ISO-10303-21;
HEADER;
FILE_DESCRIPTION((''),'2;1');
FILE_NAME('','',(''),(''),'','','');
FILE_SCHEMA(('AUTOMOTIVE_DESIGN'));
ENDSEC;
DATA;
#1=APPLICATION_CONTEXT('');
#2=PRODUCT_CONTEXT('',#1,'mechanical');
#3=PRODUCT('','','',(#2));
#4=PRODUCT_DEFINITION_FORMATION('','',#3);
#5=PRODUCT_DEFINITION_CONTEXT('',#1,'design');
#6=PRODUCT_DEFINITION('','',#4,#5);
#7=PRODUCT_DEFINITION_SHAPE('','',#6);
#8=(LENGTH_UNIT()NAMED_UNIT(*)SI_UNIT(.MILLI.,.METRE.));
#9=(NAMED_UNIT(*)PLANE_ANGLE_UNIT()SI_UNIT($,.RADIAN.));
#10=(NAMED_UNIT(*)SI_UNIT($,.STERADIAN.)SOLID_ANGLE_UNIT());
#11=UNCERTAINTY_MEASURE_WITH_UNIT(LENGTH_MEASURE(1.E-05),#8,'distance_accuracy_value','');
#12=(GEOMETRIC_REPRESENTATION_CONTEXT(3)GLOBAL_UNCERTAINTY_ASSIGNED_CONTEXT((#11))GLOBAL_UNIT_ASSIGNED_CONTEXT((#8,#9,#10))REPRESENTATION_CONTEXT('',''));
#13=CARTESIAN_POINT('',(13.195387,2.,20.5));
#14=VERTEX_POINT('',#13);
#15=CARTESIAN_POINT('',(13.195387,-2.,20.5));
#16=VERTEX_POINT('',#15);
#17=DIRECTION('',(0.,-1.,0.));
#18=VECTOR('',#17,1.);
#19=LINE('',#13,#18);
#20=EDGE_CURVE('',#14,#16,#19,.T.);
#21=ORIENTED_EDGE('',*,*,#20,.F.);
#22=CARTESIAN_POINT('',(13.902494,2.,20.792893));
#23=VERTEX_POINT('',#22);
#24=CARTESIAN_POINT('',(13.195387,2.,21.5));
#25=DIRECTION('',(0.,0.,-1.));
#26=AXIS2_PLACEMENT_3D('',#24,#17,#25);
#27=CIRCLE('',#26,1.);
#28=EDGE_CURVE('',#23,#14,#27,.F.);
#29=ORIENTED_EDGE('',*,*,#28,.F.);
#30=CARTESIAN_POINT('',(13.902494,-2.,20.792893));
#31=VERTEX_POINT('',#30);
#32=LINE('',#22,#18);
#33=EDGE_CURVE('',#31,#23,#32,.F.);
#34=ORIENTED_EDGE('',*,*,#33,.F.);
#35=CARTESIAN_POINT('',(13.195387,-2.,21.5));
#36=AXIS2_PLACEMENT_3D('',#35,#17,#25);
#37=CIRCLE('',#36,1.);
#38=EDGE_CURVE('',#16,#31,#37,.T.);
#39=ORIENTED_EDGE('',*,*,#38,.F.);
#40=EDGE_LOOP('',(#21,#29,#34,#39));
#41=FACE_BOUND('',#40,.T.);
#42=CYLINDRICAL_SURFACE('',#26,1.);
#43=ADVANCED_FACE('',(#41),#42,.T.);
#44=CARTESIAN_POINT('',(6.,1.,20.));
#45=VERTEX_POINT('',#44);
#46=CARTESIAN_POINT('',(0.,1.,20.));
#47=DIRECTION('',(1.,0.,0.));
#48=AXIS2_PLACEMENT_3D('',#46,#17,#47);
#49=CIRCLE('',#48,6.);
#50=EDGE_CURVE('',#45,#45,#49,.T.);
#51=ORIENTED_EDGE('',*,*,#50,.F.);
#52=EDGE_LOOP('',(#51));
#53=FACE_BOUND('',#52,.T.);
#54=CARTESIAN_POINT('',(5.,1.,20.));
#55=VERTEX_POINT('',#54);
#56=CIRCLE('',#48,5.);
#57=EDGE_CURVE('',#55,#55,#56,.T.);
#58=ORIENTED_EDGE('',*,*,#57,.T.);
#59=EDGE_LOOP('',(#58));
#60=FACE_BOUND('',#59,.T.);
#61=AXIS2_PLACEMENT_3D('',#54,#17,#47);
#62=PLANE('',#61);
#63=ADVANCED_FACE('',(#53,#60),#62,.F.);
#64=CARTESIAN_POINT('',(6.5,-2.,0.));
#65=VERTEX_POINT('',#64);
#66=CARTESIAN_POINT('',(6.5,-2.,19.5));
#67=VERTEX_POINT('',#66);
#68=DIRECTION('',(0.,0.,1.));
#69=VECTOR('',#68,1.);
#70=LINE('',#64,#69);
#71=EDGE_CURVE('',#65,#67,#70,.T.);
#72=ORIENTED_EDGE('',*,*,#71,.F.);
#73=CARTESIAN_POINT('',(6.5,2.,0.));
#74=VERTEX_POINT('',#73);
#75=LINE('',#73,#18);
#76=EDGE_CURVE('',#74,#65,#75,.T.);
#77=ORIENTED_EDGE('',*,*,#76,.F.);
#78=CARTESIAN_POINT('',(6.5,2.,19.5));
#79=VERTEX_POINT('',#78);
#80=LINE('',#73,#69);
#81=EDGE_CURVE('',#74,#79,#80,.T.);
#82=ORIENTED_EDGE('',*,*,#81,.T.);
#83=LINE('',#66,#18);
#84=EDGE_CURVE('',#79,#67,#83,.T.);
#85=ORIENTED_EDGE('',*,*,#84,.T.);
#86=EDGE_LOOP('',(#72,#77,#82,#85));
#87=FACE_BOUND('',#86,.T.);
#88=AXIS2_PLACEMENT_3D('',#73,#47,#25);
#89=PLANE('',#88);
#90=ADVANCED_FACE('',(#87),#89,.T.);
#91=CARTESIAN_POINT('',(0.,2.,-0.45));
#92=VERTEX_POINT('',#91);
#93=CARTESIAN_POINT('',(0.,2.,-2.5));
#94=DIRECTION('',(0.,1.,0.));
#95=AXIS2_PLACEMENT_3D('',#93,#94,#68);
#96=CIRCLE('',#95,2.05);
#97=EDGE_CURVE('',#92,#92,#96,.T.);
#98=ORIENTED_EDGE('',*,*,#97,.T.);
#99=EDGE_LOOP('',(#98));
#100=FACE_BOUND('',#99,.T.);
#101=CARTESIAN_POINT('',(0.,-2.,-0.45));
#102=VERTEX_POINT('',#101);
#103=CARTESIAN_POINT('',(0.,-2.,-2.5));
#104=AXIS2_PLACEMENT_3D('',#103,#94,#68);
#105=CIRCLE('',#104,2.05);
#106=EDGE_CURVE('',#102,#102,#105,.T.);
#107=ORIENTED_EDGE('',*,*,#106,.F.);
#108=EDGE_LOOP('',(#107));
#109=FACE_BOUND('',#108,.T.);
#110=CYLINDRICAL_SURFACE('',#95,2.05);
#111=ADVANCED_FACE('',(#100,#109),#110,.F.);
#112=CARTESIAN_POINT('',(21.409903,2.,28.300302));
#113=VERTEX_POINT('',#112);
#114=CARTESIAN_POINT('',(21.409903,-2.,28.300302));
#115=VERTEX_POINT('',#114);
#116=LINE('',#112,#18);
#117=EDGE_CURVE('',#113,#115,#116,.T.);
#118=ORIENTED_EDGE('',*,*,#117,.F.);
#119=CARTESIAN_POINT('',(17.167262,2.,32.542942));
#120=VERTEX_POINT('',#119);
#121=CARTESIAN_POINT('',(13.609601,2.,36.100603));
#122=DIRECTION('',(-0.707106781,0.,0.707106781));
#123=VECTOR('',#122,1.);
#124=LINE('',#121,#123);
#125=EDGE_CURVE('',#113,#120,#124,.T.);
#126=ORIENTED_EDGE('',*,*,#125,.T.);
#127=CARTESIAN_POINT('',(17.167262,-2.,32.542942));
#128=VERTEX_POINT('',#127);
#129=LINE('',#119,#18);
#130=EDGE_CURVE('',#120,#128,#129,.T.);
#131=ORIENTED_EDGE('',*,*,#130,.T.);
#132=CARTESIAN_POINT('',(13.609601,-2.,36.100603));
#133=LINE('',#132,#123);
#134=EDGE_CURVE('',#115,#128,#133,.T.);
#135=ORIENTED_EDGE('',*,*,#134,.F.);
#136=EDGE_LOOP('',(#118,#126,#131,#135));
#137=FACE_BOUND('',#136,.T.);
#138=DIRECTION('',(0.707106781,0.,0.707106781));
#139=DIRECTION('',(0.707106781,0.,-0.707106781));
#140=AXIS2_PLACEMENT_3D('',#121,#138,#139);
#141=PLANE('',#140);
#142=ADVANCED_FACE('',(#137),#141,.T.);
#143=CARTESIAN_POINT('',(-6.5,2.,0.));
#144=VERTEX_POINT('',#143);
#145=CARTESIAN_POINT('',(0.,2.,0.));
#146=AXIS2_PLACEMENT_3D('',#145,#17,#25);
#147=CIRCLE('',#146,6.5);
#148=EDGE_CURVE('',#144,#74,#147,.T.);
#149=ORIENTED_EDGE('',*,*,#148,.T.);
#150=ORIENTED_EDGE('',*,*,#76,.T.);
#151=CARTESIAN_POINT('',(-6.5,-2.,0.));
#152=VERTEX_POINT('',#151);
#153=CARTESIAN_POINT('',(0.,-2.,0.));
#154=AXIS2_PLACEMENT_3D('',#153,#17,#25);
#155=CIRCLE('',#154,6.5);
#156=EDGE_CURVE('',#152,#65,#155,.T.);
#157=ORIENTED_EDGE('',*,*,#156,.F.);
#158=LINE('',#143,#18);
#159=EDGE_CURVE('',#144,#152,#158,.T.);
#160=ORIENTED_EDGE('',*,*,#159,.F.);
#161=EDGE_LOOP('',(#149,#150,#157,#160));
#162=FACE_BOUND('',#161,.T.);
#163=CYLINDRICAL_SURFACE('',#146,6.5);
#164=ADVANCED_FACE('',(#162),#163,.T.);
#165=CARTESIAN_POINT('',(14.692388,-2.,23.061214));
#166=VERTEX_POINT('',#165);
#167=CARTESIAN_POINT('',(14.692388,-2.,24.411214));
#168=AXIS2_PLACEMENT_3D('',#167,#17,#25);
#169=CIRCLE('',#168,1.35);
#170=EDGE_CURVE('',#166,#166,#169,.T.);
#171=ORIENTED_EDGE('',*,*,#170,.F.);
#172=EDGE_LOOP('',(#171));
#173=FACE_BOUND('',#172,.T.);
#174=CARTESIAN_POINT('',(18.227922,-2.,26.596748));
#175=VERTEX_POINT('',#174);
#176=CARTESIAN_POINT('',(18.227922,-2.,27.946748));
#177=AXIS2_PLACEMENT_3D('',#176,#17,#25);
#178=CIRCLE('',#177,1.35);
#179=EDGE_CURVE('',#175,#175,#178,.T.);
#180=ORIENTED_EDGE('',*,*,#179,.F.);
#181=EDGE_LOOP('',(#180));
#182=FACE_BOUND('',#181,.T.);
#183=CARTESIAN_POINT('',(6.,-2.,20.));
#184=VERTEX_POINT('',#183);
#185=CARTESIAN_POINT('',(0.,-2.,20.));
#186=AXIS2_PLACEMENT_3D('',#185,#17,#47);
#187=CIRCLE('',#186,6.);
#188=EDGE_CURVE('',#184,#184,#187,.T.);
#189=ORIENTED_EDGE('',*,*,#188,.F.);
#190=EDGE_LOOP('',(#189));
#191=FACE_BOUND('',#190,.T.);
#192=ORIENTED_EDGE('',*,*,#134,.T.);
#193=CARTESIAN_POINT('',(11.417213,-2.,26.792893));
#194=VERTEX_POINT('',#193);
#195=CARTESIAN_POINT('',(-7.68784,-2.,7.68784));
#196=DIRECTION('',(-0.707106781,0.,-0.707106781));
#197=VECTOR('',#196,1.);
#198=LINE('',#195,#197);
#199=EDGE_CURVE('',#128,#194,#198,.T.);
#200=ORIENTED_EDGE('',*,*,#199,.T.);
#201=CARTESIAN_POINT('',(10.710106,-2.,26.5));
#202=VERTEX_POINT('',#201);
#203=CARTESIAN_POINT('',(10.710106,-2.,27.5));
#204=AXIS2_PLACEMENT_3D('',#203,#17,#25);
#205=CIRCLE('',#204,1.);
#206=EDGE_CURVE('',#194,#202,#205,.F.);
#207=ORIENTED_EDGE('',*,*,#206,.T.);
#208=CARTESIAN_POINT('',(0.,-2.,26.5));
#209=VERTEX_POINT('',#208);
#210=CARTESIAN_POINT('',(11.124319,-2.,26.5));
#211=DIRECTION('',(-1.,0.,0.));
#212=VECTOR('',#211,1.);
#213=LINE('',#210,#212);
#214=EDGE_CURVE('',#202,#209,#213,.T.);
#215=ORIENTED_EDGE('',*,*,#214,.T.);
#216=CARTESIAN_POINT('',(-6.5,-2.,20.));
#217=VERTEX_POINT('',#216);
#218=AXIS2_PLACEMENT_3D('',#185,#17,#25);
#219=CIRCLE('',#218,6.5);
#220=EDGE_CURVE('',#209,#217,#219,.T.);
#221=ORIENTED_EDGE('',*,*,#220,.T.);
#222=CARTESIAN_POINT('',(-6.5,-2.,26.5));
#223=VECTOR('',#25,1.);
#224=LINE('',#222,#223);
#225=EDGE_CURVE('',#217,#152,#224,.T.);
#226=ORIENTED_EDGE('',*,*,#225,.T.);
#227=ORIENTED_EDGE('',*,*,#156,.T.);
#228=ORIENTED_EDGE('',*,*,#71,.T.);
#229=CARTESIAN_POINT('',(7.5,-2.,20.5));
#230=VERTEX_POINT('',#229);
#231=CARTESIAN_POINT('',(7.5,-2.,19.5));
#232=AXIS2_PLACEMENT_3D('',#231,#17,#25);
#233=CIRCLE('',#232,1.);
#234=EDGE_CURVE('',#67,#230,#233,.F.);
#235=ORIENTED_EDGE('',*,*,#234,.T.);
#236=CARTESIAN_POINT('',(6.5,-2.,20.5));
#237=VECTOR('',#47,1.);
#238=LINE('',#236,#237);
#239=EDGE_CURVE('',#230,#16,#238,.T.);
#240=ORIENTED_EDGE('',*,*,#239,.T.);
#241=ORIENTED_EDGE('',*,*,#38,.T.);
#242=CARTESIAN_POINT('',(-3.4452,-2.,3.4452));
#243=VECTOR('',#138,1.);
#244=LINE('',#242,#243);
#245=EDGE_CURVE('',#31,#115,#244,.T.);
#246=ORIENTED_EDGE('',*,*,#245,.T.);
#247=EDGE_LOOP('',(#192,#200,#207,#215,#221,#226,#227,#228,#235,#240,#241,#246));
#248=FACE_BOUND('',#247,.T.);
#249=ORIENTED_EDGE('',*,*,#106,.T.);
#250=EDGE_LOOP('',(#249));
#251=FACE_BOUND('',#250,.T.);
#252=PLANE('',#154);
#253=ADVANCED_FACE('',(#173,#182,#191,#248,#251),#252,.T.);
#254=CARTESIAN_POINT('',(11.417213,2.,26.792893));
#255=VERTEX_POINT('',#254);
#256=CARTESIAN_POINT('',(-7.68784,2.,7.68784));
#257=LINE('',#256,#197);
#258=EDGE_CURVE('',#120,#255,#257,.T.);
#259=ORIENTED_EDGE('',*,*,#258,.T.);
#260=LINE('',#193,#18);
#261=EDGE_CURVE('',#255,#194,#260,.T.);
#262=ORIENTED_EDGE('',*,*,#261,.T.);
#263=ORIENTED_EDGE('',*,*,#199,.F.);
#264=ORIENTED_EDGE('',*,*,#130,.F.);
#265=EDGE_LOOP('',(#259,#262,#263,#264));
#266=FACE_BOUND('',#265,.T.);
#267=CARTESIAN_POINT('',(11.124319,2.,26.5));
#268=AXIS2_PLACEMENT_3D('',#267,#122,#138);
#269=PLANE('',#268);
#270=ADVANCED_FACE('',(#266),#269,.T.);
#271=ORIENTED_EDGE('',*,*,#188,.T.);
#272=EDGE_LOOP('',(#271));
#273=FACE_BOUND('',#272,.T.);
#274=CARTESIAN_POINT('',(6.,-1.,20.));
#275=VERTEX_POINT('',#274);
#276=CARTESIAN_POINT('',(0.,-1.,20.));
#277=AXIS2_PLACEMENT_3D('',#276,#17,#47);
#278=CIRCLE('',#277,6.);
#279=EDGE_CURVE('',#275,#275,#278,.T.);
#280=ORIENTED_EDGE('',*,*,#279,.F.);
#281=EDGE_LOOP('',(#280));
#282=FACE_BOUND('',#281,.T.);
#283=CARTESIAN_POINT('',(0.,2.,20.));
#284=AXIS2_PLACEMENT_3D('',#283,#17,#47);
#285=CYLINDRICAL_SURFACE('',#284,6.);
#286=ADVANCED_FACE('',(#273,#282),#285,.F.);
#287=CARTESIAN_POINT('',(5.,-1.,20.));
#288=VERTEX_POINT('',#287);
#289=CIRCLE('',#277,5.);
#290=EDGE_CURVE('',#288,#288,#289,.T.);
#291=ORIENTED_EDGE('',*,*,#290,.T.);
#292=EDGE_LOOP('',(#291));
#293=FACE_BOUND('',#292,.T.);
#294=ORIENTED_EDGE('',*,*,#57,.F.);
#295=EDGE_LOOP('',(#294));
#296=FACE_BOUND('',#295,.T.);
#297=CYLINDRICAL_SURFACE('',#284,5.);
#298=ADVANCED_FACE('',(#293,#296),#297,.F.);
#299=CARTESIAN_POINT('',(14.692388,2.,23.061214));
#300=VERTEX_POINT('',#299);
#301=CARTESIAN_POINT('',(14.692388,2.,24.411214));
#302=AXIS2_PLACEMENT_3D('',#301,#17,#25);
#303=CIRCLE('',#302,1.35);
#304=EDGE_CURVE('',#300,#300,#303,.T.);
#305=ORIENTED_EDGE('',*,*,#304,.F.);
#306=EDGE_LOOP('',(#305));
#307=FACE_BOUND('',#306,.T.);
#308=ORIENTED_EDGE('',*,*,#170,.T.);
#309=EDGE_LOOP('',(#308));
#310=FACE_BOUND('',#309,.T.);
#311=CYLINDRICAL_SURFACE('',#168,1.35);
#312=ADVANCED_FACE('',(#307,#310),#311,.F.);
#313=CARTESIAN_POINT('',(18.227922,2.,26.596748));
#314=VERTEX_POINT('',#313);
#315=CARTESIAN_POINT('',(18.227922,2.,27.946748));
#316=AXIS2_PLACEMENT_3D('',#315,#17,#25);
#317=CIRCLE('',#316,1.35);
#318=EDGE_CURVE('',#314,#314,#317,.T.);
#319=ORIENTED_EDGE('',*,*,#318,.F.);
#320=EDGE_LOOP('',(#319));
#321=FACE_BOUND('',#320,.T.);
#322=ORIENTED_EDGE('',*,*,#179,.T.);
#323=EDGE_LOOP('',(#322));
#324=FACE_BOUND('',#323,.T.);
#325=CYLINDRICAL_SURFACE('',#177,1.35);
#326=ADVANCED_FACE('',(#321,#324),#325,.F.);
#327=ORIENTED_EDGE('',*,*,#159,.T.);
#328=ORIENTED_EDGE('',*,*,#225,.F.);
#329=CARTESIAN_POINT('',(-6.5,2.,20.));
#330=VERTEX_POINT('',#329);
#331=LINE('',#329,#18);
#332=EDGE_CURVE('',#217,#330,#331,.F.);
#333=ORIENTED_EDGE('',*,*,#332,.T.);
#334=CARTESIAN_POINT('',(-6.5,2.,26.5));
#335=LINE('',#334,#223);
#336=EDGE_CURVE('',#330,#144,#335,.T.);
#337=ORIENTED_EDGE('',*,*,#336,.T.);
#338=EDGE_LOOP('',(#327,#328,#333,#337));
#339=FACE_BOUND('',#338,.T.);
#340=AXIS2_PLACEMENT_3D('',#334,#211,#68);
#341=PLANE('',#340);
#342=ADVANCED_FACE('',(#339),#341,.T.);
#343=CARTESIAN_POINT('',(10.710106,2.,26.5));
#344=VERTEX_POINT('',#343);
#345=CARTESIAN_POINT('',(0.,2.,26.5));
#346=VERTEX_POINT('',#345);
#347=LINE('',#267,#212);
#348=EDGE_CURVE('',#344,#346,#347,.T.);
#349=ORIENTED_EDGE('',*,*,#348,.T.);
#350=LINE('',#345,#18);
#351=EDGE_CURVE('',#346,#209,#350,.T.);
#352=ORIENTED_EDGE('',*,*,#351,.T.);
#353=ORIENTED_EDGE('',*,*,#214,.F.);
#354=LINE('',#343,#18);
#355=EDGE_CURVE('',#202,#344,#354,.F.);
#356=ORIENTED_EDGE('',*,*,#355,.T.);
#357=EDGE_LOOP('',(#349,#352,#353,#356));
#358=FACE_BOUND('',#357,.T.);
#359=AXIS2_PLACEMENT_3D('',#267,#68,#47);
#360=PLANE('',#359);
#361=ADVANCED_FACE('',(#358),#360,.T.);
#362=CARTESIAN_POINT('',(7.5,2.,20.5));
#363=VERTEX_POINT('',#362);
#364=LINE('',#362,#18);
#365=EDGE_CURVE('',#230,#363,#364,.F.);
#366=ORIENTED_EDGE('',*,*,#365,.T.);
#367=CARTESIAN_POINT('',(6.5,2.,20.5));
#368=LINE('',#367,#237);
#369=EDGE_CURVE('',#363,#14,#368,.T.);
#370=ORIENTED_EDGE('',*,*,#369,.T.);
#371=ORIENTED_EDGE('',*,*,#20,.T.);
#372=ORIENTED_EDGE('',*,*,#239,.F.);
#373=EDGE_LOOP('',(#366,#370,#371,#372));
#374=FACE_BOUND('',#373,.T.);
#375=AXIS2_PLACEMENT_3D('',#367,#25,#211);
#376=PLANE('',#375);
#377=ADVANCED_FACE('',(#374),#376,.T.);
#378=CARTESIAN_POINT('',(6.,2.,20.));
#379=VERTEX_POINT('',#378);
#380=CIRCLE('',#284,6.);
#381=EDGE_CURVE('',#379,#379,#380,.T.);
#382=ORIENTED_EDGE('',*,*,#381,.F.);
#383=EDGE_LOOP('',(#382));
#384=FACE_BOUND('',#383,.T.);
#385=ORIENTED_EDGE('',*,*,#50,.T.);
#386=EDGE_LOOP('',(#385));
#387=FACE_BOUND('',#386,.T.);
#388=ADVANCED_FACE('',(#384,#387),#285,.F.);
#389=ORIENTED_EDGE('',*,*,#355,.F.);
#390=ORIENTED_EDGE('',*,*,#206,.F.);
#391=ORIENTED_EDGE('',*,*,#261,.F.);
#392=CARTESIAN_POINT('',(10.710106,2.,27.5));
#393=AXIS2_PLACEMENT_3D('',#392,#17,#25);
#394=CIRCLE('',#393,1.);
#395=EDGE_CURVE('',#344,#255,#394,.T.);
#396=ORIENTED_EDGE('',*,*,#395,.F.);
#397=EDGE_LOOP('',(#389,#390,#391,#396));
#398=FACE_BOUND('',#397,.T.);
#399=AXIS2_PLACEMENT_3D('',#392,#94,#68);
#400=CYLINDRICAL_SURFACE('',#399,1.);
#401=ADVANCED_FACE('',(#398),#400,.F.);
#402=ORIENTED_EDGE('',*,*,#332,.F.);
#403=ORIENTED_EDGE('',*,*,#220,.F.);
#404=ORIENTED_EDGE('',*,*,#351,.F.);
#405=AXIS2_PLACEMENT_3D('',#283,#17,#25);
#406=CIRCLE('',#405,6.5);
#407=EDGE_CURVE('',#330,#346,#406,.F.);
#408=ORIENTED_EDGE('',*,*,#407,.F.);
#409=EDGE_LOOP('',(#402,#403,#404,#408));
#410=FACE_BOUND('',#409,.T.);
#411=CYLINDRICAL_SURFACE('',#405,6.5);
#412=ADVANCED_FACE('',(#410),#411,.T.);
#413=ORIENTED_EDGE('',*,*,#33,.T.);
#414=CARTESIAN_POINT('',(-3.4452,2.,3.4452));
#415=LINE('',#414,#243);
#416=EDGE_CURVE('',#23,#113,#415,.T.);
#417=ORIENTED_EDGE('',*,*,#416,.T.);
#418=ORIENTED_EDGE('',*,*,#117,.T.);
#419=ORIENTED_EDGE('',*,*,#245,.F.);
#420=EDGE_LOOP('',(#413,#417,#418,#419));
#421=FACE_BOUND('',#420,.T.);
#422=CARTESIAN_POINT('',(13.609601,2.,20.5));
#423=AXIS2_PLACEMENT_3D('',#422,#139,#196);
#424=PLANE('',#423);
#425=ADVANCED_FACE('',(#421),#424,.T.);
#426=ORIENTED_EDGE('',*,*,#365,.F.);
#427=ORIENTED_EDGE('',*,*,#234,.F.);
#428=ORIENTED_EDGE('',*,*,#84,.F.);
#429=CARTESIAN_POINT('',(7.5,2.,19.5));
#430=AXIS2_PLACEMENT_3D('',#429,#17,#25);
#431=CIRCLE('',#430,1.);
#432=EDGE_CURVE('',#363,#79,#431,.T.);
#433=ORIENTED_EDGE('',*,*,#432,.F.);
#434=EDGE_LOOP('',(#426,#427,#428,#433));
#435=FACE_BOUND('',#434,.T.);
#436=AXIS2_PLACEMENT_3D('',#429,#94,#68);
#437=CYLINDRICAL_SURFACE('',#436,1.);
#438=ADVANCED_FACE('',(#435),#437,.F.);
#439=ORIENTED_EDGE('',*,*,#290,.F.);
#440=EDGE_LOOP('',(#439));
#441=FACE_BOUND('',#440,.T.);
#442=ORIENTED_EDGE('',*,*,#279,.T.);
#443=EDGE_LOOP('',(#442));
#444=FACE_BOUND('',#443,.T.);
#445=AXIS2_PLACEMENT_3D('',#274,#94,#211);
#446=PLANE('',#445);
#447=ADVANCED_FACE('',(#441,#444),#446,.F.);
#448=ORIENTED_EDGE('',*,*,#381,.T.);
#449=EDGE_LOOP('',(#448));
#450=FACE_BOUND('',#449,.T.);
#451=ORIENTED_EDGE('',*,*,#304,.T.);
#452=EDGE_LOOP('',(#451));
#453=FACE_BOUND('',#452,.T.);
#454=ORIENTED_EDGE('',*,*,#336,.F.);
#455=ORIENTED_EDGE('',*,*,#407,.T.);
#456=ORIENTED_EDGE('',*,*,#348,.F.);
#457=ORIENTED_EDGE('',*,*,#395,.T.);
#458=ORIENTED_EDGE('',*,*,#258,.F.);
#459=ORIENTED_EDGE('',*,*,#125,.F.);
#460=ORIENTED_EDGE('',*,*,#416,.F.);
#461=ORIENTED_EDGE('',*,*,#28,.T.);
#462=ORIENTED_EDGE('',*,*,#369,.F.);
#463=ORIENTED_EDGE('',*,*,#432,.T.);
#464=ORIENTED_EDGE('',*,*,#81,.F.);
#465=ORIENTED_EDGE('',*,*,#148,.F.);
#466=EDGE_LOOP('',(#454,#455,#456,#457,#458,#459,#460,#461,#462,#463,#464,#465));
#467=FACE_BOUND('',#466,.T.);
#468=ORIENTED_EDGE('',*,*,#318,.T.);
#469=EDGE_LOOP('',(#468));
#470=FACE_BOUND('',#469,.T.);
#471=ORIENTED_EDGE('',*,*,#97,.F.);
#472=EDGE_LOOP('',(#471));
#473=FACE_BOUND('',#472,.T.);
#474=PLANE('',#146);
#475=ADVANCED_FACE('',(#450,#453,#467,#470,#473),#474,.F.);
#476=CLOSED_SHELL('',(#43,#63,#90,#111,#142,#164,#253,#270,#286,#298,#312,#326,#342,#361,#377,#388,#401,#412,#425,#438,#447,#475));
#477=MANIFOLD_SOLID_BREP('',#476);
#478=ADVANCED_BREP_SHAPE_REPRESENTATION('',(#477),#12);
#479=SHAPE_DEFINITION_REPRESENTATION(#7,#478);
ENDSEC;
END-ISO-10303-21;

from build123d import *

# Parameters (mm, degrees)
BOSS_EXTRUDE1_DEPTH            = 4
DRAFT1_ANGLE                   = 45.000000004
DRAFT2_ANGLE                   = 45.000000005
F_4_1_4_1_DIAMETER_HOLE1_D     = 4.1
F_4_1_4_1_DIAMETER_HOLE1_DEPTH = 4
F_2_7_2_7_DIAMETER_HOLE1_D     = 2.7
F_2_7_2_7_DIAMETER_HOLE1_DEPTH = 4
FILLET1_R                      = 1
FILLET2_R                      = 6.5


with BuildPart() as part:
    # Sketch1 → Boss-Extrude1 (new body)
    with BuildSketch(Plane.XZ.offset(2)):
        with BuildLine():
            Line((11.124319466, 26.5), (-6.5, 26.5))
            Line((-6.5, 26.5), (-6.5, 0))
            ThreePointArc((-6.5, 0), (3e-09, -6.500000003), (6.500000005, 0))
            Line((6.500000005, 0), (6.500000005, 20.5))
            Line((6.500000005, 20.5), (13.60960084, 20.5))
            Line((13.60960084, 20.5), (13.60960084, 36.100603473))
            Line((13.60960084, 36.100603473), (11.124319466, 38.585884847))
            Line((11.124319466, 38.585884847), (11.124319466, 26.5))
        make_face()
    extrude(amount=-BOSS_EXTRUDE1_DEPTH)

    # Draft1
    draft1_faces = [part.faces().sort_by_distance(p)[0] for p in [
        (13.60960084, 0, 28.300301737),
    ]]
    draft(draft1_faces, Plane(origin=(6.500000005, 2, 20.5), x_dir=(-1, 0, 0), z_dir=(0, 0, -1)), DRAFT1_ANGLE)

    # Draft2
    draft2_faces = [part.faces().sort_by_distance(p)[0] for p in [
        (11.124319466, 0, 32.542942424),
    ]]
    draft(draft2_faces, Plane(origin=(11.124319466, 2, 26.5), x_dir=(1, 0, 0), z_dir=(0, 0, 1)), DRAFT2_ANGLE)

    # Sketch2 → Cut-Revolve1 (revolve, cut)
    with BuildSketch(Plane.XY.offset(20)):
        Polygon((6, 2), (0, 2), (0, -2), (6, -2), (6, -1), (5, -1), (5, 1), (6, 1), align=None)
    revolve(axis=Axis((0, 2, 20), (0, -1, 0)), mode=Mode.SUBTRACT)

    # Ø4.1 (4.1) Diameter Hole1
    with Locations(Plane(origin=(0, 2, 0), x_dir=(1, 0, 0), z_dir=(0, 1, 0))):
        with Locations((0, 2.5)):
            Hole(F_4_1_4_1_DIAMETER_HOLE1_D / 2, depth=F_4_1_4_1_DIAMETER_HOLE1_DEPTH)

    # Ø2.7 (2.7) Diameter Hole1
    with Locations(Plane(origin=(0, -2, 0), x_dir=(-1, 0, 0), z_dir=(0, -1, 0))):
        with Locations((-14.692388155, -24.41121444), (-18.227922061, -27.946748346)):
            Hole(F_2_7_2_7_DIAMETER_HOLE1_D / 2, depth=F_2_7_2_7_DIAMETER_HOLE1_DEPTH)

    # Fillet1
    fillet1_edges = [part.edges().sort_by_distance(p)[0] for p in [
        (13.60960084, 0, 20.5),
        (6.500000005, 0, 20.5),
        (11.124319466, 0, 26.5),
    ]]
    fillet(fillet1_edges, radius=FILLET1_R)

    # Fillet2
    fillet2_edges = [part.edges().sort_by_distance(p)[0] for p in [
        (-6.5, 0, 26.5),
    ]]
    fillet(fillet2_edges, radius=FILLET2_R)


solid = part.part
